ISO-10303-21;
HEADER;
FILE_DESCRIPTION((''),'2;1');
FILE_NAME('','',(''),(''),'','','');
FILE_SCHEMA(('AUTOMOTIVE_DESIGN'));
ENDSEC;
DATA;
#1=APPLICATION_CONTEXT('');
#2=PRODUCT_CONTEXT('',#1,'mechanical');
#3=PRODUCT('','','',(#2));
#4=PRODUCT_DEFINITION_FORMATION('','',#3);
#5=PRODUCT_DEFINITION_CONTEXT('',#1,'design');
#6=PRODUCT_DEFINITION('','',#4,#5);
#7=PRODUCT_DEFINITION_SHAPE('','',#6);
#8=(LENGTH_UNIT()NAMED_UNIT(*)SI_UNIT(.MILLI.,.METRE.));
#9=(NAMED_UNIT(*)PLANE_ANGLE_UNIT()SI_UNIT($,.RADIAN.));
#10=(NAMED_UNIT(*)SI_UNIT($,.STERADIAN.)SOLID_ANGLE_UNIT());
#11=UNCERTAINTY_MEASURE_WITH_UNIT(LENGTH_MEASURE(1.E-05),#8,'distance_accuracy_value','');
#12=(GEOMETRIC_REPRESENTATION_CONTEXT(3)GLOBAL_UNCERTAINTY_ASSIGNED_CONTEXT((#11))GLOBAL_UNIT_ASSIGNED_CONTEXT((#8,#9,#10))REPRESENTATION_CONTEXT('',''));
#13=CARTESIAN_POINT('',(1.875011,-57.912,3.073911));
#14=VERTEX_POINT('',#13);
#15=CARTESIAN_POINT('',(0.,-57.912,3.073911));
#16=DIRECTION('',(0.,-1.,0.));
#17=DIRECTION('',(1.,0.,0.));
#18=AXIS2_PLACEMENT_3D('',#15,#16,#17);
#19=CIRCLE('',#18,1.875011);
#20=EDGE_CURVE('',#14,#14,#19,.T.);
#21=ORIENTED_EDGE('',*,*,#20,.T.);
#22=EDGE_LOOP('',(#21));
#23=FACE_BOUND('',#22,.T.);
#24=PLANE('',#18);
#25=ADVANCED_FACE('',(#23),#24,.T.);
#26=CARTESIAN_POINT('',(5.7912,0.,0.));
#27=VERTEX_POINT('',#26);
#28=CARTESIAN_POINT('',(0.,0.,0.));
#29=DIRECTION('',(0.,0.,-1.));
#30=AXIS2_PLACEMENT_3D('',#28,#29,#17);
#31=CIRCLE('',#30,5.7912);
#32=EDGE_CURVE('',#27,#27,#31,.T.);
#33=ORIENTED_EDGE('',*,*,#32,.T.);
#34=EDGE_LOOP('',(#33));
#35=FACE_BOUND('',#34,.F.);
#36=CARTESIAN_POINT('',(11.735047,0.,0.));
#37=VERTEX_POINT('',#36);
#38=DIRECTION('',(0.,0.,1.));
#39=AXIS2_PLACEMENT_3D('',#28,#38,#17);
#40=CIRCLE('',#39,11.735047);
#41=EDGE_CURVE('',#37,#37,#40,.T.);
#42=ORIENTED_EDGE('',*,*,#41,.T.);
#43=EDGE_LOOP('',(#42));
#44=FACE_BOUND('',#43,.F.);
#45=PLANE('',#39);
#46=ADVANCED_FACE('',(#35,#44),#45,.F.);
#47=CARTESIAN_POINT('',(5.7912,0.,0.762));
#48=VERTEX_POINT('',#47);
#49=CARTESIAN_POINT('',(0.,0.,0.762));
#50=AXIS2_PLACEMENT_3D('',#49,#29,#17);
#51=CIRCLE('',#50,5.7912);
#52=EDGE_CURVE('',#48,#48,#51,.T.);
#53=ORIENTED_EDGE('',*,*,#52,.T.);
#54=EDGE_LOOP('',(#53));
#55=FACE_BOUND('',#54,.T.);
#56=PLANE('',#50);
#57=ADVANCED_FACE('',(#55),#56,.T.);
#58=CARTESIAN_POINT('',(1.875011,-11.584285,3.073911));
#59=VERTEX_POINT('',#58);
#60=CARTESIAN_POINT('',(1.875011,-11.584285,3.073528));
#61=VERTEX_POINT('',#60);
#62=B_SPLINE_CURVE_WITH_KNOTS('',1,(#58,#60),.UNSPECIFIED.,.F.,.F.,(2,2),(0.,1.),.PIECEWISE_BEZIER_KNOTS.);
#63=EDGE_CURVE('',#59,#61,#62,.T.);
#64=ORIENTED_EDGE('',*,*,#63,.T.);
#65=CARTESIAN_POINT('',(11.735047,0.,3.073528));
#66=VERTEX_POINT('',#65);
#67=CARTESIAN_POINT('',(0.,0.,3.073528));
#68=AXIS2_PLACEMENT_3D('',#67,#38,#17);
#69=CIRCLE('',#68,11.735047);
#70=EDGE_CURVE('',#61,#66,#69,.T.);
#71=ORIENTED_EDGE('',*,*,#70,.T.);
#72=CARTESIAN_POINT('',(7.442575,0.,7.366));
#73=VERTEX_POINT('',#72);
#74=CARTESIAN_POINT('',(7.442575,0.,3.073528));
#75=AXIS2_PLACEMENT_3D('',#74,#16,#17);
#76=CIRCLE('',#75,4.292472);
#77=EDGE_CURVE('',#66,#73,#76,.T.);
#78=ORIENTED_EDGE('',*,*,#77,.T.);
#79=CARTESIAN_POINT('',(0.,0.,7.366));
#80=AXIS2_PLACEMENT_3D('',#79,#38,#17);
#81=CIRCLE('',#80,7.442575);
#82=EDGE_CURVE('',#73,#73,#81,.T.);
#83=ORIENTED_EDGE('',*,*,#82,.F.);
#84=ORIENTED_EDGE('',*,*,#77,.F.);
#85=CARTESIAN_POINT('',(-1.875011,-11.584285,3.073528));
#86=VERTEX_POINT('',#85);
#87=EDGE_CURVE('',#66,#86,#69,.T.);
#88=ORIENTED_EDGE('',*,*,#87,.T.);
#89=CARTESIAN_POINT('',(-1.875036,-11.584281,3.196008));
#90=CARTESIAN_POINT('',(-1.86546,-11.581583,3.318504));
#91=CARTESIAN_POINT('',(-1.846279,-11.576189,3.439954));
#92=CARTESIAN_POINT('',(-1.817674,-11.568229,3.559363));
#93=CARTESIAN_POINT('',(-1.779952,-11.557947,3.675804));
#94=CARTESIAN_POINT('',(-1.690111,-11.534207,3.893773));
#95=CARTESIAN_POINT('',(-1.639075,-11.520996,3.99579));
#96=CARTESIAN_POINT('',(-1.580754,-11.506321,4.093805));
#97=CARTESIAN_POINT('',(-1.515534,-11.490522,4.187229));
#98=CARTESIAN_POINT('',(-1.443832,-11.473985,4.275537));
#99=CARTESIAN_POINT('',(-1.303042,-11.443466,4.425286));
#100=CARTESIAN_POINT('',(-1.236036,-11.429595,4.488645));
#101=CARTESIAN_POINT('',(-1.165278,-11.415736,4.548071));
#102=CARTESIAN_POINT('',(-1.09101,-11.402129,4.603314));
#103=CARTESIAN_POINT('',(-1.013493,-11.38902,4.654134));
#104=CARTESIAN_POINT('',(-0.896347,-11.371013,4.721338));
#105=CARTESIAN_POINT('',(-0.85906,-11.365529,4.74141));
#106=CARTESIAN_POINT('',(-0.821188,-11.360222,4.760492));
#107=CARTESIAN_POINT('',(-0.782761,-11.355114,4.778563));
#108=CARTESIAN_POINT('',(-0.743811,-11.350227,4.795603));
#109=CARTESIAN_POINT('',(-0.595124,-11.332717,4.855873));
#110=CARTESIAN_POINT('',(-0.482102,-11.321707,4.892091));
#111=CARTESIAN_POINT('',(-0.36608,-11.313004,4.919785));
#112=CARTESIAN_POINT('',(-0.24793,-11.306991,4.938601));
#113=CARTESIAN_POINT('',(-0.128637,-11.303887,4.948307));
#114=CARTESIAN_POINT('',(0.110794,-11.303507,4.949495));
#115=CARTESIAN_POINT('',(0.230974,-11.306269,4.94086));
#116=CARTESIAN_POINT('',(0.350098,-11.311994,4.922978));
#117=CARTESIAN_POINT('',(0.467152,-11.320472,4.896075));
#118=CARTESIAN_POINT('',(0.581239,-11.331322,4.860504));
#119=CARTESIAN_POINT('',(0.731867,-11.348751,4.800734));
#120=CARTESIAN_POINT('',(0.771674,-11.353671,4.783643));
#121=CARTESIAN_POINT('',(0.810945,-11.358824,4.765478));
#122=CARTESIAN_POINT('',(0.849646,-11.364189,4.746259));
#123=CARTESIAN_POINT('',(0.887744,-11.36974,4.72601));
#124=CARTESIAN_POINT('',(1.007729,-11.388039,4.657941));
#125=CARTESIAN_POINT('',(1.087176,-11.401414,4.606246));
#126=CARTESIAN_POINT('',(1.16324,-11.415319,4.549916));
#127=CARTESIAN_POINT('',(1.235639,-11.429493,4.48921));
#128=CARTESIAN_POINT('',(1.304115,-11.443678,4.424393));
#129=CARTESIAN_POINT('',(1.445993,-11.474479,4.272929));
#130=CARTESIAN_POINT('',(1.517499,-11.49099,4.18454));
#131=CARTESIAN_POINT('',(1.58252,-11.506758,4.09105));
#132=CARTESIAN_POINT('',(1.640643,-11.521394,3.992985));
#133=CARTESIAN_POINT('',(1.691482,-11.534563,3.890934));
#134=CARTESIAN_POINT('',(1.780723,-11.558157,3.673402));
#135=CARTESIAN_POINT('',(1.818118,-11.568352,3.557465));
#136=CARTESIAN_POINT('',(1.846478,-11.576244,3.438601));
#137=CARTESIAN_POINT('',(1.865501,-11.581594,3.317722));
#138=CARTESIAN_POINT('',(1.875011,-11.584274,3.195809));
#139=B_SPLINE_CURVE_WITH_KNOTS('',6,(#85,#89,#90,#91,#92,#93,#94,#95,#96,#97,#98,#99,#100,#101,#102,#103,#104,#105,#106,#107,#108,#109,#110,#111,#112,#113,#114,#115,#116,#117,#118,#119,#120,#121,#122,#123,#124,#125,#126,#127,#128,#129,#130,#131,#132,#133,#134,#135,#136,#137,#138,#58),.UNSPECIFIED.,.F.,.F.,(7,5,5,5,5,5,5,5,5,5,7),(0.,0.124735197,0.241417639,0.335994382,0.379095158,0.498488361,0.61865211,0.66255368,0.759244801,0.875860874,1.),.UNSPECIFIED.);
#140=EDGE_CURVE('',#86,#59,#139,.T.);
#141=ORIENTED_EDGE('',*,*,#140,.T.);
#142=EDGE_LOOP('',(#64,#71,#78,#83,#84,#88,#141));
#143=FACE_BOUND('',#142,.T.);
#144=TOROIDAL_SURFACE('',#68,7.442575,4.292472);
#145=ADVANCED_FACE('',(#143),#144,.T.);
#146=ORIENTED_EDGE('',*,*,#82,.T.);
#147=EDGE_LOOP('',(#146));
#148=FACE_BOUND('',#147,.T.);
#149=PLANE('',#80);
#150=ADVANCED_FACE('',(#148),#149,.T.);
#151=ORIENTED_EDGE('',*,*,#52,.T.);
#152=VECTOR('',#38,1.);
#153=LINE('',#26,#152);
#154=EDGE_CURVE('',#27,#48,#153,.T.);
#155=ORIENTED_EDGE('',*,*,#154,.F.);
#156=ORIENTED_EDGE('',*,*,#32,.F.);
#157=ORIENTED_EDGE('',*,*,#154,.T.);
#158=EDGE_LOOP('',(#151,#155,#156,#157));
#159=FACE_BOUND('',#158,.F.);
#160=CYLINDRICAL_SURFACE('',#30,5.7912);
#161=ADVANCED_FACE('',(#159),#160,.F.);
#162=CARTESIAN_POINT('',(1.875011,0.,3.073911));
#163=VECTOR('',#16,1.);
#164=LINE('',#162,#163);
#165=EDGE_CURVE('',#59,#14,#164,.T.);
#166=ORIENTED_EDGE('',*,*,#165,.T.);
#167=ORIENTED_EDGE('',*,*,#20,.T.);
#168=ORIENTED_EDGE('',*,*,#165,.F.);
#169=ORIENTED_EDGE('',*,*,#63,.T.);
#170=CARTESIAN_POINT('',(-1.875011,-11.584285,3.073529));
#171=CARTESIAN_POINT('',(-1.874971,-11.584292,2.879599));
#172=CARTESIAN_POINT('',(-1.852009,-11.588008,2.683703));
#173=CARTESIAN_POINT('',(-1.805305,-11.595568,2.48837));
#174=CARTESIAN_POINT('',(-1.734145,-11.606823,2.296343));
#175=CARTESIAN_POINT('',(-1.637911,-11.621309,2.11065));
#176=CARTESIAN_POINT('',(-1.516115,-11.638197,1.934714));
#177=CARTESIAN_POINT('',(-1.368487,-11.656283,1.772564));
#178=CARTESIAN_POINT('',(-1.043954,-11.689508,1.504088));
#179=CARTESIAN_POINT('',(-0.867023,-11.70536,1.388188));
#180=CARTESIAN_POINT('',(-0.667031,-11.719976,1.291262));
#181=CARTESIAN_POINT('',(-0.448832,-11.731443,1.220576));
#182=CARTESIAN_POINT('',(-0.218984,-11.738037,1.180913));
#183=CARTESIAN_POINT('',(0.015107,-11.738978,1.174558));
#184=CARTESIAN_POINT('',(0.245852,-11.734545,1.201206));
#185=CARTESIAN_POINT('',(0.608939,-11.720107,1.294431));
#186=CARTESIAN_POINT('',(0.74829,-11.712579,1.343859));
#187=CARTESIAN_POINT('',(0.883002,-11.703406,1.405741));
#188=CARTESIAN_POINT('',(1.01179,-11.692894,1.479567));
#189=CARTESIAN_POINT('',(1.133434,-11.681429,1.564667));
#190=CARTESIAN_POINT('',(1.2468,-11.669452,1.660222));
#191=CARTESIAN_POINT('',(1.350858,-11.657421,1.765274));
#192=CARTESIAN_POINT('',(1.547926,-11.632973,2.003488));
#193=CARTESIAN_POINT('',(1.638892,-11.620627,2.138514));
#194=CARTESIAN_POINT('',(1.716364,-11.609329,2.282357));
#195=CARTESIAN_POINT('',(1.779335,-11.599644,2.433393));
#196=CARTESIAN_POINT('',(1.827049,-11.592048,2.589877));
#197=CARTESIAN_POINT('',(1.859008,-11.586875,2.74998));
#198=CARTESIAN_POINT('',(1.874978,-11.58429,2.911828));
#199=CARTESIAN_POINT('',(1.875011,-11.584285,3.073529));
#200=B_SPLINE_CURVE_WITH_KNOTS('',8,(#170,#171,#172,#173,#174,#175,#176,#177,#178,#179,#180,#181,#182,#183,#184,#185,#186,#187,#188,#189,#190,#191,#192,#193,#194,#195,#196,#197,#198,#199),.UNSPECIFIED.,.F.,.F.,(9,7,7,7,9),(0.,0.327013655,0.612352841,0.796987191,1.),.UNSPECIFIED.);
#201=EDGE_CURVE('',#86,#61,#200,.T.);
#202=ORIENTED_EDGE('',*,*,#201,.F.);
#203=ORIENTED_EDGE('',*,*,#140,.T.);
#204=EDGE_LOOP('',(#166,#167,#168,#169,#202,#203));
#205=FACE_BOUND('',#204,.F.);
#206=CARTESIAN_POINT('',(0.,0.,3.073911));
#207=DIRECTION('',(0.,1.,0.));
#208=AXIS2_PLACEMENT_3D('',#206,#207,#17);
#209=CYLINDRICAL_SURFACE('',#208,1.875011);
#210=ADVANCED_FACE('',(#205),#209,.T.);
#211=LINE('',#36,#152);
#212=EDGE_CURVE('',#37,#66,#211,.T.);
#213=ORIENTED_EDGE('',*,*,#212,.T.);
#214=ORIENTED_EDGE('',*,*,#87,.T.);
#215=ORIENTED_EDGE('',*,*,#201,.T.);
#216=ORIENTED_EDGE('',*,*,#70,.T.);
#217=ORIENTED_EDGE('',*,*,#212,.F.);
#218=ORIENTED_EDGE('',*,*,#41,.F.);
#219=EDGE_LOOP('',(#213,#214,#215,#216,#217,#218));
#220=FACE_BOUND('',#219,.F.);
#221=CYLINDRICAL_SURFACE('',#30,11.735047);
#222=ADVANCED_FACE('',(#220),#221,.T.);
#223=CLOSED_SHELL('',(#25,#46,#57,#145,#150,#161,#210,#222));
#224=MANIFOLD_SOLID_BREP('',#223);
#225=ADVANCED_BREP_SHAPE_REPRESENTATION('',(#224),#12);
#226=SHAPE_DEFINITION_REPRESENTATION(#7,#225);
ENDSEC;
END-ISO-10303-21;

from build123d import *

# Parameters (mm, degrees)
F0_R     = 11.735047
F1_DEPTH = 7.366
F2_R     = 4.292472
F3_R     = 5.7912
F4_DEPTH = 0.762
F5_R     = 1.875011
F6_DEPTH = 57.912


with BuildPart() as f1:
    # F0 (on Top) → F1 (new body)
    with BuildSketch(Plane.XY):
        Circle(F0_R)
    extrude(amount=F1_DEPTH)

    # F2
    f2_edges = [f1.edges().sort_by_distance(p)[0] for p in [
        (-11.735047, 0, 7.366),
    ]]
    fillet(f2_edges, radius=F2_R)

    # F3 (on face) → F4 (cut)
    with BuildSketch(Plane(origin=(0, 0, 0), x_dir=(1, 0, 0), z_dir=(0, 0, -1))):
        Circle(F3_R)
    extrude(amount=-F4_DEPTH, mode=Mode.SUBTRACT)

    # F5 (on Front) → F6 (join)
    with BuildSketch(Plane.XZ):
        with Locations((0, 3.073911)):
            Circle(F5_R)
    extrude(amount=F6_DEPTH)


solid = f1.part
